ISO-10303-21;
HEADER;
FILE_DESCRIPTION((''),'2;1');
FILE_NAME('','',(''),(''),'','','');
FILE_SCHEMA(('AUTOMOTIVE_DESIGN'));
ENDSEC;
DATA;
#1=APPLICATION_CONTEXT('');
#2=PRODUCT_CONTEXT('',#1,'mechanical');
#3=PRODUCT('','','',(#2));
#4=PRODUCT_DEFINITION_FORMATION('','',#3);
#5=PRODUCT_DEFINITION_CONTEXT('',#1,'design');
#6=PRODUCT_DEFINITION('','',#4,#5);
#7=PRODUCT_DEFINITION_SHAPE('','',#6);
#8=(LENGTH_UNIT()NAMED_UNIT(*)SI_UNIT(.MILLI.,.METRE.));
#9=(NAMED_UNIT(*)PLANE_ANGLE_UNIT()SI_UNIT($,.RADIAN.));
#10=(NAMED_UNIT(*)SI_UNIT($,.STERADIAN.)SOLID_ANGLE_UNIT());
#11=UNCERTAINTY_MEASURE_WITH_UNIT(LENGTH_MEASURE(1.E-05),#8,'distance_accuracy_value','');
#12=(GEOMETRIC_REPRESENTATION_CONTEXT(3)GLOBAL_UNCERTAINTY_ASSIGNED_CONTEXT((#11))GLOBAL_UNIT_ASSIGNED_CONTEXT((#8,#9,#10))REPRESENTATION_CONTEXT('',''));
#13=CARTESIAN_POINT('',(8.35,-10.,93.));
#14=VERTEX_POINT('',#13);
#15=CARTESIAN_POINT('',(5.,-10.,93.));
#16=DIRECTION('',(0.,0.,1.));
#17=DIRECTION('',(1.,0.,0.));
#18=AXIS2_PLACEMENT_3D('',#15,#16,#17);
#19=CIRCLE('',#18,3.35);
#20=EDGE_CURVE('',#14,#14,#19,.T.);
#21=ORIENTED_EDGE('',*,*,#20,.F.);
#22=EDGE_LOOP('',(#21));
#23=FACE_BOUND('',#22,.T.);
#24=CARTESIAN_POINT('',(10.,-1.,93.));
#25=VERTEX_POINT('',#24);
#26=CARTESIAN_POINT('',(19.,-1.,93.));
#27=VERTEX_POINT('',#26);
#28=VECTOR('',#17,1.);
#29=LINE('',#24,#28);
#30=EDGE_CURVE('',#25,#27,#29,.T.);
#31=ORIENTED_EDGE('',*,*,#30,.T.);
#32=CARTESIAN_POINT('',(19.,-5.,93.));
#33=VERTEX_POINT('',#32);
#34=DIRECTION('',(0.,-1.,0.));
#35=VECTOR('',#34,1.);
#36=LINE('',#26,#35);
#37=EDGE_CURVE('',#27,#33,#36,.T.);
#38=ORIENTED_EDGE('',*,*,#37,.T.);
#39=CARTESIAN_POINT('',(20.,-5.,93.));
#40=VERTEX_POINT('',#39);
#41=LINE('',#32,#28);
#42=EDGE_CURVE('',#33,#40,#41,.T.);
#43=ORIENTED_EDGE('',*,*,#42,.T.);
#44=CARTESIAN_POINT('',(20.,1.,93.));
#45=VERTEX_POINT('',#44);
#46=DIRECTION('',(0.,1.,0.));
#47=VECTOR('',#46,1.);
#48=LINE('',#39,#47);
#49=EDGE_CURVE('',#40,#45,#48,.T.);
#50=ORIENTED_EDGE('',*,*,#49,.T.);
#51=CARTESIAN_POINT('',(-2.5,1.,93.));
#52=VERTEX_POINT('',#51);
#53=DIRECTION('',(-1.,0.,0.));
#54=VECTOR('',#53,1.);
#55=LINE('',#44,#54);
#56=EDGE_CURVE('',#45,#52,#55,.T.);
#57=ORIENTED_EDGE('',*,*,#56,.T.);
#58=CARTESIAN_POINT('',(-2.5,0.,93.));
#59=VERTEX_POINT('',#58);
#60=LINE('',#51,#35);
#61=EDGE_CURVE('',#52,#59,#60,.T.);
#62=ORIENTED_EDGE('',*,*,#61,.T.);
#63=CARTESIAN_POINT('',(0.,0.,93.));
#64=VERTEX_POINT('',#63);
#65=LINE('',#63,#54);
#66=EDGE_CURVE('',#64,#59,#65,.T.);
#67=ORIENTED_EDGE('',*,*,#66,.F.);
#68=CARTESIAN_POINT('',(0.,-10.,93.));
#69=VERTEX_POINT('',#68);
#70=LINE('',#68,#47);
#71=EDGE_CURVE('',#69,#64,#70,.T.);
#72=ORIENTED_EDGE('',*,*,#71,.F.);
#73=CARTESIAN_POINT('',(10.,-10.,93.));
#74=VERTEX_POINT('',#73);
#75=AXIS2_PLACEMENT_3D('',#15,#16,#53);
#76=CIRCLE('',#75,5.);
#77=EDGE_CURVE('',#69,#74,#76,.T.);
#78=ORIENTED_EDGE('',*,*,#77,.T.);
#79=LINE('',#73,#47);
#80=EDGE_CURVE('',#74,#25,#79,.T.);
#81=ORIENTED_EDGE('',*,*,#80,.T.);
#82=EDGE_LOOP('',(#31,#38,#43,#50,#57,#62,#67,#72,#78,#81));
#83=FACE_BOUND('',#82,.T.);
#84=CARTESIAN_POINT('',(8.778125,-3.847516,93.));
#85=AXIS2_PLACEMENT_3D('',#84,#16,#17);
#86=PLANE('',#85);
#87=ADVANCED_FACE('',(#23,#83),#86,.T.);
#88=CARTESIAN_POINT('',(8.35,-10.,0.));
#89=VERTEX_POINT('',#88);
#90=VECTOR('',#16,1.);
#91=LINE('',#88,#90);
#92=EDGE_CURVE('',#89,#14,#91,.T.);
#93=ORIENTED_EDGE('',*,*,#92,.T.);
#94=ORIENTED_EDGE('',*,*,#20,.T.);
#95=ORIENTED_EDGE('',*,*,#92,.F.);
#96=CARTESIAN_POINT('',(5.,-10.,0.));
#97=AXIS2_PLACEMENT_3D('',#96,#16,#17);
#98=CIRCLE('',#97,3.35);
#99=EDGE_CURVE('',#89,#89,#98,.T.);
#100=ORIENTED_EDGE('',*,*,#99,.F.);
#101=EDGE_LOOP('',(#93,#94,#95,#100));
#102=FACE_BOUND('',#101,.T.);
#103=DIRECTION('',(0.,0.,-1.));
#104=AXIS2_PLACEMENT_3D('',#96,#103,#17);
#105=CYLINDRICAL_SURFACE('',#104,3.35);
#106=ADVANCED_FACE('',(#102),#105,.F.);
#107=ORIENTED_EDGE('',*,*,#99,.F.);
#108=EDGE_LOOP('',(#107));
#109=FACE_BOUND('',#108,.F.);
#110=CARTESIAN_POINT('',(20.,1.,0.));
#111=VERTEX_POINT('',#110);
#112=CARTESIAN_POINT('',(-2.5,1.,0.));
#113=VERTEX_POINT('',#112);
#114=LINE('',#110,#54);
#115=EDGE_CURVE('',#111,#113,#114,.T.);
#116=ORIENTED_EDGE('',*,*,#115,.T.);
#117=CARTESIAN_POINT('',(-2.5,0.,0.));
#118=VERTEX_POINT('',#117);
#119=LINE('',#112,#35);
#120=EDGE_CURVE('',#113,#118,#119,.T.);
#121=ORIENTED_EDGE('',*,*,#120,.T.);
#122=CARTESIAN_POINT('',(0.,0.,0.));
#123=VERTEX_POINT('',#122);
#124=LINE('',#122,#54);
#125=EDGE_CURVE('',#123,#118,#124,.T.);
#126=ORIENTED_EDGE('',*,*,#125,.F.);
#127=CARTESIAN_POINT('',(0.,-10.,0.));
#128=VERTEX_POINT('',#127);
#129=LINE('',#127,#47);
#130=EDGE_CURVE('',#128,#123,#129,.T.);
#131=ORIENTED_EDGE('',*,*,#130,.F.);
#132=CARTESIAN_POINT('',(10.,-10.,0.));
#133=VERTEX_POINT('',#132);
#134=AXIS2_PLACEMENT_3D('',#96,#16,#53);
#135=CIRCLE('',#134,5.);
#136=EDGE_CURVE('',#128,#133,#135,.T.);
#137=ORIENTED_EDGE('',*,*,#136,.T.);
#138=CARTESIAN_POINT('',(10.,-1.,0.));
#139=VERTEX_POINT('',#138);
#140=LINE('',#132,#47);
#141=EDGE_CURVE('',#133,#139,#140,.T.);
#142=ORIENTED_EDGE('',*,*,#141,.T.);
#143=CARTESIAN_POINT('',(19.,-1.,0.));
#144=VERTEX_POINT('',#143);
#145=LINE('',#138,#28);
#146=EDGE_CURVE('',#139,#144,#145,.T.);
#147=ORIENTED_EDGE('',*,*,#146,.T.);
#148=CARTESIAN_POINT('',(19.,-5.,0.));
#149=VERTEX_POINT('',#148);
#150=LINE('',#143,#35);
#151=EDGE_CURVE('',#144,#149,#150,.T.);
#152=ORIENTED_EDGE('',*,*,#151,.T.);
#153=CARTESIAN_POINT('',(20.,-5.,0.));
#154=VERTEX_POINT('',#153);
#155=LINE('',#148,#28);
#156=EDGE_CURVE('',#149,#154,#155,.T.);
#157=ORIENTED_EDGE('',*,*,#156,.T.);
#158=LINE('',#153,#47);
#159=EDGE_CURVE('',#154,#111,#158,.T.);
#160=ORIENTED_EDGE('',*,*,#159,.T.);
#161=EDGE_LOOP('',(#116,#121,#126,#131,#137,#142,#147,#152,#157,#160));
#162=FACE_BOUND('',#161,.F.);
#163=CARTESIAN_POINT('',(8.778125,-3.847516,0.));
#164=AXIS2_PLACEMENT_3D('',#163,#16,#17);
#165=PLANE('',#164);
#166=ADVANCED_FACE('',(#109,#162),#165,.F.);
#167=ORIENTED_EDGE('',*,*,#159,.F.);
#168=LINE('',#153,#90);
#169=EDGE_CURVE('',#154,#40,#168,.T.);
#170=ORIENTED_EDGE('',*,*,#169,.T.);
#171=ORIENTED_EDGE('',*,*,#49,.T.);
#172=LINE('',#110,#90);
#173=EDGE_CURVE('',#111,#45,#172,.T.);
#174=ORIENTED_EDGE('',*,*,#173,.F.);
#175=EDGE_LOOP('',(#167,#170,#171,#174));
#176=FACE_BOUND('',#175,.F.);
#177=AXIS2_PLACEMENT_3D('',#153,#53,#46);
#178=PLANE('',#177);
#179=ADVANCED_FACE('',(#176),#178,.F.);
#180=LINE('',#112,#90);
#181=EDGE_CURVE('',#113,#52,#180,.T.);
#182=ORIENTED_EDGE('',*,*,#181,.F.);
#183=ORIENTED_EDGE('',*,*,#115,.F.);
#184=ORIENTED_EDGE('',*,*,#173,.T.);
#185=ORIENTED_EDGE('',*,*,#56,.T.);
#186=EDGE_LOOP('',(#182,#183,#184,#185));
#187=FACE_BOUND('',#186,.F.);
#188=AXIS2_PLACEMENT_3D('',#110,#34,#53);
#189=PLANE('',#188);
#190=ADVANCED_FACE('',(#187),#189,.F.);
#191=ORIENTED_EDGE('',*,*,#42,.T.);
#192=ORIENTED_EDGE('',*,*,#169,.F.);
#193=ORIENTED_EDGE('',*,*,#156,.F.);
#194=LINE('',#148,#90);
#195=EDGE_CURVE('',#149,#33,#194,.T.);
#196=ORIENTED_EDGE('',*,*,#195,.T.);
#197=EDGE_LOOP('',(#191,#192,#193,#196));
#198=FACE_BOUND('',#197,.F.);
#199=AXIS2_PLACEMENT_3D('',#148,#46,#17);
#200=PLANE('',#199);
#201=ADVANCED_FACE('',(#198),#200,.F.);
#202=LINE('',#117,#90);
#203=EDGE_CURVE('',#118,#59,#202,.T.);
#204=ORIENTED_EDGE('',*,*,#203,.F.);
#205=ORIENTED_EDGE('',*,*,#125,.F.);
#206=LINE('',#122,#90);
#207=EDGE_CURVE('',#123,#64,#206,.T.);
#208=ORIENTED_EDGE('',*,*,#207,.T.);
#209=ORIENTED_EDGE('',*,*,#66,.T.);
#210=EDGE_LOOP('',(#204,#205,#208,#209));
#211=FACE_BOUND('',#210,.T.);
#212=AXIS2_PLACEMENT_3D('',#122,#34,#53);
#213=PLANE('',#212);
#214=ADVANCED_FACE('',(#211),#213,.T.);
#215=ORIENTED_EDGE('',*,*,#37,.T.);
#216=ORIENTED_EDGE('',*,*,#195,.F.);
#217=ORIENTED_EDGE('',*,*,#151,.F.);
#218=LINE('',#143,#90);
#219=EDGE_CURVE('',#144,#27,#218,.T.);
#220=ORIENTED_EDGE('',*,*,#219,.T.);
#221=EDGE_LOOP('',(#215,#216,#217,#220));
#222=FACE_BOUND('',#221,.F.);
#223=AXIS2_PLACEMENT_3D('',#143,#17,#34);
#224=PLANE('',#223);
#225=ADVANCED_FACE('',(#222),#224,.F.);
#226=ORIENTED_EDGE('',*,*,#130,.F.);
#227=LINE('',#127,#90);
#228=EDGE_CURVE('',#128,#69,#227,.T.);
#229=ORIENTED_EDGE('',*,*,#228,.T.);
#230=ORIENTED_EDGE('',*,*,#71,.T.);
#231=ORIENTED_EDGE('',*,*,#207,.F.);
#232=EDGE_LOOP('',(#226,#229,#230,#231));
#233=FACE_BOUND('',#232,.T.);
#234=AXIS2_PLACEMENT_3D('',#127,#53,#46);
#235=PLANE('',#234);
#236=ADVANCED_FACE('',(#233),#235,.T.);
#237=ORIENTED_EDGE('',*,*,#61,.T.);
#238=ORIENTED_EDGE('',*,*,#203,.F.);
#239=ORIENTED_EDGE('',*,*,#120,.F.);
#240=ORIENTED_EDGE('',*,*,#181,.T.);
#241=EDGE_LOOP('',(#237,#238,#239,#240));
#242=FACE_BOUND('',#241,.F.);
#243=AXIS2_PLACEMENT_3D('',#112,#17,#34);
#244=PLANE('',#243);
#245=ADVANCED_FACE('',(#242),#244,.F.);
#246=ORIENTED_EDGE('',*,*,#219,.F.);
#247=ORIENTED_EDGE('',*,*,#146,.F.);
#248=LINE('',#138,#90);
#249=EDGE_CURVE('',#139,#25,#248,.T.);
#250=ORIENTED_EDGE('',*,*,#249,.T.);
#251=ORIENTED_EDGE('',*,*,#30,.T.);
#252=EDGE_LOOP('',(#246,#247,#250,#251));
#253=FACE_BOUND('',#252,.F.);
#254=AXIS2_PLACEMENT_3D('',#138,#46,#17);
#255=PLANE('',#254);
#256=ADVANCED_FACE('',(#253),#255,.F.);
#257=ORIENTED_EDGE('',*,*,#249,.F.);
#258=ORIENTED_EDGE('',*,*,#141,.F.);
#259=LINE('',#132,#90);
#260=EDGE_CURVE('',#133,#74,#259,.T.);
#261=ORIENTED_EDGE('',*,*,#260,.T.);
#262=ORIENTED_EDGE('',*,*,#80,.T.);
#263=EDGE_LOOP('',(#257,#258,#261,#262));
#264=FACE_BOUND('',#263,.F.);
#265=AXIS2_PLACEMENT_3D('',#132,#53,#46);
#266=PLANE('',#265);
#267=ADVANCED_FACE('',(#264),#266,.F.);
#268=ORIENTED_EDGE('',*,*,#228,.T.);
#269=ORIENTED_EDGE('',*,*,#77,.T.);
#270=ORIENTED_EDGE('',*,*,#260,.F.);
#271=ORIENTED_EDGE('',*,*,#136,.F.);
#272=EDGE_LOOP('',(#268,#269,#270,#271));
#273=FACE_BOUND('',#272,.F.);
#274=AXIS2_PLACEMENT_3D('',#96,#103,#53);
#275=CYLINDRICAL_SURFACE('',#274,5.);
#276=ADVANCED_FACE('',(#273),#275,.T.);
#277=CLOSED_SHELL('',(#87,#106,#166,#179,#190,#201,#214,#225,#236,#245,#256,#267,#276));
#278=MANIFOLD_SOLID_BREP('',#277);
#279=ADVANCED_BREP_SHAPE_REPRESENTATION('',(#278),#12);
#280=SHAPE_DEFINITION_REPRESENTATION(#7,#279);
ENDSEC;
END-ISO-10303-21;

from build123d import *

# Parameters (mm, degrees)
SKETCH_R  = 3.35
PAD_DEPTH = 93


with BuildPart() as part:
    # Sketch → Pad (new body)
    with BuildSketch(Plane.XY):
        with BuildLine():
            Line((20, 1), (-2.5, 1))
            Line((-2.5, 1), (-2.5, 0))
            Line((0, 0), (-2.5, 0))
            Line((0, -10), (0, 0))
            ThreePointArc((0, -10), (5, -15), (10, -10))
            Line((10, -10), (10, -1))
            Line((10, -1), (19, -1))
            Line((19, -1), (19, -5))
            Line((19, -5), (20, -5))
            Line((20, -5), (20, 1))
        make_face()
        with Locations((5, -10)):
            Circle(SKETCH_R, mode=Mode.SUBTRACT)
    extrude(amount=PAD_DEPTH)


solid = part.part
